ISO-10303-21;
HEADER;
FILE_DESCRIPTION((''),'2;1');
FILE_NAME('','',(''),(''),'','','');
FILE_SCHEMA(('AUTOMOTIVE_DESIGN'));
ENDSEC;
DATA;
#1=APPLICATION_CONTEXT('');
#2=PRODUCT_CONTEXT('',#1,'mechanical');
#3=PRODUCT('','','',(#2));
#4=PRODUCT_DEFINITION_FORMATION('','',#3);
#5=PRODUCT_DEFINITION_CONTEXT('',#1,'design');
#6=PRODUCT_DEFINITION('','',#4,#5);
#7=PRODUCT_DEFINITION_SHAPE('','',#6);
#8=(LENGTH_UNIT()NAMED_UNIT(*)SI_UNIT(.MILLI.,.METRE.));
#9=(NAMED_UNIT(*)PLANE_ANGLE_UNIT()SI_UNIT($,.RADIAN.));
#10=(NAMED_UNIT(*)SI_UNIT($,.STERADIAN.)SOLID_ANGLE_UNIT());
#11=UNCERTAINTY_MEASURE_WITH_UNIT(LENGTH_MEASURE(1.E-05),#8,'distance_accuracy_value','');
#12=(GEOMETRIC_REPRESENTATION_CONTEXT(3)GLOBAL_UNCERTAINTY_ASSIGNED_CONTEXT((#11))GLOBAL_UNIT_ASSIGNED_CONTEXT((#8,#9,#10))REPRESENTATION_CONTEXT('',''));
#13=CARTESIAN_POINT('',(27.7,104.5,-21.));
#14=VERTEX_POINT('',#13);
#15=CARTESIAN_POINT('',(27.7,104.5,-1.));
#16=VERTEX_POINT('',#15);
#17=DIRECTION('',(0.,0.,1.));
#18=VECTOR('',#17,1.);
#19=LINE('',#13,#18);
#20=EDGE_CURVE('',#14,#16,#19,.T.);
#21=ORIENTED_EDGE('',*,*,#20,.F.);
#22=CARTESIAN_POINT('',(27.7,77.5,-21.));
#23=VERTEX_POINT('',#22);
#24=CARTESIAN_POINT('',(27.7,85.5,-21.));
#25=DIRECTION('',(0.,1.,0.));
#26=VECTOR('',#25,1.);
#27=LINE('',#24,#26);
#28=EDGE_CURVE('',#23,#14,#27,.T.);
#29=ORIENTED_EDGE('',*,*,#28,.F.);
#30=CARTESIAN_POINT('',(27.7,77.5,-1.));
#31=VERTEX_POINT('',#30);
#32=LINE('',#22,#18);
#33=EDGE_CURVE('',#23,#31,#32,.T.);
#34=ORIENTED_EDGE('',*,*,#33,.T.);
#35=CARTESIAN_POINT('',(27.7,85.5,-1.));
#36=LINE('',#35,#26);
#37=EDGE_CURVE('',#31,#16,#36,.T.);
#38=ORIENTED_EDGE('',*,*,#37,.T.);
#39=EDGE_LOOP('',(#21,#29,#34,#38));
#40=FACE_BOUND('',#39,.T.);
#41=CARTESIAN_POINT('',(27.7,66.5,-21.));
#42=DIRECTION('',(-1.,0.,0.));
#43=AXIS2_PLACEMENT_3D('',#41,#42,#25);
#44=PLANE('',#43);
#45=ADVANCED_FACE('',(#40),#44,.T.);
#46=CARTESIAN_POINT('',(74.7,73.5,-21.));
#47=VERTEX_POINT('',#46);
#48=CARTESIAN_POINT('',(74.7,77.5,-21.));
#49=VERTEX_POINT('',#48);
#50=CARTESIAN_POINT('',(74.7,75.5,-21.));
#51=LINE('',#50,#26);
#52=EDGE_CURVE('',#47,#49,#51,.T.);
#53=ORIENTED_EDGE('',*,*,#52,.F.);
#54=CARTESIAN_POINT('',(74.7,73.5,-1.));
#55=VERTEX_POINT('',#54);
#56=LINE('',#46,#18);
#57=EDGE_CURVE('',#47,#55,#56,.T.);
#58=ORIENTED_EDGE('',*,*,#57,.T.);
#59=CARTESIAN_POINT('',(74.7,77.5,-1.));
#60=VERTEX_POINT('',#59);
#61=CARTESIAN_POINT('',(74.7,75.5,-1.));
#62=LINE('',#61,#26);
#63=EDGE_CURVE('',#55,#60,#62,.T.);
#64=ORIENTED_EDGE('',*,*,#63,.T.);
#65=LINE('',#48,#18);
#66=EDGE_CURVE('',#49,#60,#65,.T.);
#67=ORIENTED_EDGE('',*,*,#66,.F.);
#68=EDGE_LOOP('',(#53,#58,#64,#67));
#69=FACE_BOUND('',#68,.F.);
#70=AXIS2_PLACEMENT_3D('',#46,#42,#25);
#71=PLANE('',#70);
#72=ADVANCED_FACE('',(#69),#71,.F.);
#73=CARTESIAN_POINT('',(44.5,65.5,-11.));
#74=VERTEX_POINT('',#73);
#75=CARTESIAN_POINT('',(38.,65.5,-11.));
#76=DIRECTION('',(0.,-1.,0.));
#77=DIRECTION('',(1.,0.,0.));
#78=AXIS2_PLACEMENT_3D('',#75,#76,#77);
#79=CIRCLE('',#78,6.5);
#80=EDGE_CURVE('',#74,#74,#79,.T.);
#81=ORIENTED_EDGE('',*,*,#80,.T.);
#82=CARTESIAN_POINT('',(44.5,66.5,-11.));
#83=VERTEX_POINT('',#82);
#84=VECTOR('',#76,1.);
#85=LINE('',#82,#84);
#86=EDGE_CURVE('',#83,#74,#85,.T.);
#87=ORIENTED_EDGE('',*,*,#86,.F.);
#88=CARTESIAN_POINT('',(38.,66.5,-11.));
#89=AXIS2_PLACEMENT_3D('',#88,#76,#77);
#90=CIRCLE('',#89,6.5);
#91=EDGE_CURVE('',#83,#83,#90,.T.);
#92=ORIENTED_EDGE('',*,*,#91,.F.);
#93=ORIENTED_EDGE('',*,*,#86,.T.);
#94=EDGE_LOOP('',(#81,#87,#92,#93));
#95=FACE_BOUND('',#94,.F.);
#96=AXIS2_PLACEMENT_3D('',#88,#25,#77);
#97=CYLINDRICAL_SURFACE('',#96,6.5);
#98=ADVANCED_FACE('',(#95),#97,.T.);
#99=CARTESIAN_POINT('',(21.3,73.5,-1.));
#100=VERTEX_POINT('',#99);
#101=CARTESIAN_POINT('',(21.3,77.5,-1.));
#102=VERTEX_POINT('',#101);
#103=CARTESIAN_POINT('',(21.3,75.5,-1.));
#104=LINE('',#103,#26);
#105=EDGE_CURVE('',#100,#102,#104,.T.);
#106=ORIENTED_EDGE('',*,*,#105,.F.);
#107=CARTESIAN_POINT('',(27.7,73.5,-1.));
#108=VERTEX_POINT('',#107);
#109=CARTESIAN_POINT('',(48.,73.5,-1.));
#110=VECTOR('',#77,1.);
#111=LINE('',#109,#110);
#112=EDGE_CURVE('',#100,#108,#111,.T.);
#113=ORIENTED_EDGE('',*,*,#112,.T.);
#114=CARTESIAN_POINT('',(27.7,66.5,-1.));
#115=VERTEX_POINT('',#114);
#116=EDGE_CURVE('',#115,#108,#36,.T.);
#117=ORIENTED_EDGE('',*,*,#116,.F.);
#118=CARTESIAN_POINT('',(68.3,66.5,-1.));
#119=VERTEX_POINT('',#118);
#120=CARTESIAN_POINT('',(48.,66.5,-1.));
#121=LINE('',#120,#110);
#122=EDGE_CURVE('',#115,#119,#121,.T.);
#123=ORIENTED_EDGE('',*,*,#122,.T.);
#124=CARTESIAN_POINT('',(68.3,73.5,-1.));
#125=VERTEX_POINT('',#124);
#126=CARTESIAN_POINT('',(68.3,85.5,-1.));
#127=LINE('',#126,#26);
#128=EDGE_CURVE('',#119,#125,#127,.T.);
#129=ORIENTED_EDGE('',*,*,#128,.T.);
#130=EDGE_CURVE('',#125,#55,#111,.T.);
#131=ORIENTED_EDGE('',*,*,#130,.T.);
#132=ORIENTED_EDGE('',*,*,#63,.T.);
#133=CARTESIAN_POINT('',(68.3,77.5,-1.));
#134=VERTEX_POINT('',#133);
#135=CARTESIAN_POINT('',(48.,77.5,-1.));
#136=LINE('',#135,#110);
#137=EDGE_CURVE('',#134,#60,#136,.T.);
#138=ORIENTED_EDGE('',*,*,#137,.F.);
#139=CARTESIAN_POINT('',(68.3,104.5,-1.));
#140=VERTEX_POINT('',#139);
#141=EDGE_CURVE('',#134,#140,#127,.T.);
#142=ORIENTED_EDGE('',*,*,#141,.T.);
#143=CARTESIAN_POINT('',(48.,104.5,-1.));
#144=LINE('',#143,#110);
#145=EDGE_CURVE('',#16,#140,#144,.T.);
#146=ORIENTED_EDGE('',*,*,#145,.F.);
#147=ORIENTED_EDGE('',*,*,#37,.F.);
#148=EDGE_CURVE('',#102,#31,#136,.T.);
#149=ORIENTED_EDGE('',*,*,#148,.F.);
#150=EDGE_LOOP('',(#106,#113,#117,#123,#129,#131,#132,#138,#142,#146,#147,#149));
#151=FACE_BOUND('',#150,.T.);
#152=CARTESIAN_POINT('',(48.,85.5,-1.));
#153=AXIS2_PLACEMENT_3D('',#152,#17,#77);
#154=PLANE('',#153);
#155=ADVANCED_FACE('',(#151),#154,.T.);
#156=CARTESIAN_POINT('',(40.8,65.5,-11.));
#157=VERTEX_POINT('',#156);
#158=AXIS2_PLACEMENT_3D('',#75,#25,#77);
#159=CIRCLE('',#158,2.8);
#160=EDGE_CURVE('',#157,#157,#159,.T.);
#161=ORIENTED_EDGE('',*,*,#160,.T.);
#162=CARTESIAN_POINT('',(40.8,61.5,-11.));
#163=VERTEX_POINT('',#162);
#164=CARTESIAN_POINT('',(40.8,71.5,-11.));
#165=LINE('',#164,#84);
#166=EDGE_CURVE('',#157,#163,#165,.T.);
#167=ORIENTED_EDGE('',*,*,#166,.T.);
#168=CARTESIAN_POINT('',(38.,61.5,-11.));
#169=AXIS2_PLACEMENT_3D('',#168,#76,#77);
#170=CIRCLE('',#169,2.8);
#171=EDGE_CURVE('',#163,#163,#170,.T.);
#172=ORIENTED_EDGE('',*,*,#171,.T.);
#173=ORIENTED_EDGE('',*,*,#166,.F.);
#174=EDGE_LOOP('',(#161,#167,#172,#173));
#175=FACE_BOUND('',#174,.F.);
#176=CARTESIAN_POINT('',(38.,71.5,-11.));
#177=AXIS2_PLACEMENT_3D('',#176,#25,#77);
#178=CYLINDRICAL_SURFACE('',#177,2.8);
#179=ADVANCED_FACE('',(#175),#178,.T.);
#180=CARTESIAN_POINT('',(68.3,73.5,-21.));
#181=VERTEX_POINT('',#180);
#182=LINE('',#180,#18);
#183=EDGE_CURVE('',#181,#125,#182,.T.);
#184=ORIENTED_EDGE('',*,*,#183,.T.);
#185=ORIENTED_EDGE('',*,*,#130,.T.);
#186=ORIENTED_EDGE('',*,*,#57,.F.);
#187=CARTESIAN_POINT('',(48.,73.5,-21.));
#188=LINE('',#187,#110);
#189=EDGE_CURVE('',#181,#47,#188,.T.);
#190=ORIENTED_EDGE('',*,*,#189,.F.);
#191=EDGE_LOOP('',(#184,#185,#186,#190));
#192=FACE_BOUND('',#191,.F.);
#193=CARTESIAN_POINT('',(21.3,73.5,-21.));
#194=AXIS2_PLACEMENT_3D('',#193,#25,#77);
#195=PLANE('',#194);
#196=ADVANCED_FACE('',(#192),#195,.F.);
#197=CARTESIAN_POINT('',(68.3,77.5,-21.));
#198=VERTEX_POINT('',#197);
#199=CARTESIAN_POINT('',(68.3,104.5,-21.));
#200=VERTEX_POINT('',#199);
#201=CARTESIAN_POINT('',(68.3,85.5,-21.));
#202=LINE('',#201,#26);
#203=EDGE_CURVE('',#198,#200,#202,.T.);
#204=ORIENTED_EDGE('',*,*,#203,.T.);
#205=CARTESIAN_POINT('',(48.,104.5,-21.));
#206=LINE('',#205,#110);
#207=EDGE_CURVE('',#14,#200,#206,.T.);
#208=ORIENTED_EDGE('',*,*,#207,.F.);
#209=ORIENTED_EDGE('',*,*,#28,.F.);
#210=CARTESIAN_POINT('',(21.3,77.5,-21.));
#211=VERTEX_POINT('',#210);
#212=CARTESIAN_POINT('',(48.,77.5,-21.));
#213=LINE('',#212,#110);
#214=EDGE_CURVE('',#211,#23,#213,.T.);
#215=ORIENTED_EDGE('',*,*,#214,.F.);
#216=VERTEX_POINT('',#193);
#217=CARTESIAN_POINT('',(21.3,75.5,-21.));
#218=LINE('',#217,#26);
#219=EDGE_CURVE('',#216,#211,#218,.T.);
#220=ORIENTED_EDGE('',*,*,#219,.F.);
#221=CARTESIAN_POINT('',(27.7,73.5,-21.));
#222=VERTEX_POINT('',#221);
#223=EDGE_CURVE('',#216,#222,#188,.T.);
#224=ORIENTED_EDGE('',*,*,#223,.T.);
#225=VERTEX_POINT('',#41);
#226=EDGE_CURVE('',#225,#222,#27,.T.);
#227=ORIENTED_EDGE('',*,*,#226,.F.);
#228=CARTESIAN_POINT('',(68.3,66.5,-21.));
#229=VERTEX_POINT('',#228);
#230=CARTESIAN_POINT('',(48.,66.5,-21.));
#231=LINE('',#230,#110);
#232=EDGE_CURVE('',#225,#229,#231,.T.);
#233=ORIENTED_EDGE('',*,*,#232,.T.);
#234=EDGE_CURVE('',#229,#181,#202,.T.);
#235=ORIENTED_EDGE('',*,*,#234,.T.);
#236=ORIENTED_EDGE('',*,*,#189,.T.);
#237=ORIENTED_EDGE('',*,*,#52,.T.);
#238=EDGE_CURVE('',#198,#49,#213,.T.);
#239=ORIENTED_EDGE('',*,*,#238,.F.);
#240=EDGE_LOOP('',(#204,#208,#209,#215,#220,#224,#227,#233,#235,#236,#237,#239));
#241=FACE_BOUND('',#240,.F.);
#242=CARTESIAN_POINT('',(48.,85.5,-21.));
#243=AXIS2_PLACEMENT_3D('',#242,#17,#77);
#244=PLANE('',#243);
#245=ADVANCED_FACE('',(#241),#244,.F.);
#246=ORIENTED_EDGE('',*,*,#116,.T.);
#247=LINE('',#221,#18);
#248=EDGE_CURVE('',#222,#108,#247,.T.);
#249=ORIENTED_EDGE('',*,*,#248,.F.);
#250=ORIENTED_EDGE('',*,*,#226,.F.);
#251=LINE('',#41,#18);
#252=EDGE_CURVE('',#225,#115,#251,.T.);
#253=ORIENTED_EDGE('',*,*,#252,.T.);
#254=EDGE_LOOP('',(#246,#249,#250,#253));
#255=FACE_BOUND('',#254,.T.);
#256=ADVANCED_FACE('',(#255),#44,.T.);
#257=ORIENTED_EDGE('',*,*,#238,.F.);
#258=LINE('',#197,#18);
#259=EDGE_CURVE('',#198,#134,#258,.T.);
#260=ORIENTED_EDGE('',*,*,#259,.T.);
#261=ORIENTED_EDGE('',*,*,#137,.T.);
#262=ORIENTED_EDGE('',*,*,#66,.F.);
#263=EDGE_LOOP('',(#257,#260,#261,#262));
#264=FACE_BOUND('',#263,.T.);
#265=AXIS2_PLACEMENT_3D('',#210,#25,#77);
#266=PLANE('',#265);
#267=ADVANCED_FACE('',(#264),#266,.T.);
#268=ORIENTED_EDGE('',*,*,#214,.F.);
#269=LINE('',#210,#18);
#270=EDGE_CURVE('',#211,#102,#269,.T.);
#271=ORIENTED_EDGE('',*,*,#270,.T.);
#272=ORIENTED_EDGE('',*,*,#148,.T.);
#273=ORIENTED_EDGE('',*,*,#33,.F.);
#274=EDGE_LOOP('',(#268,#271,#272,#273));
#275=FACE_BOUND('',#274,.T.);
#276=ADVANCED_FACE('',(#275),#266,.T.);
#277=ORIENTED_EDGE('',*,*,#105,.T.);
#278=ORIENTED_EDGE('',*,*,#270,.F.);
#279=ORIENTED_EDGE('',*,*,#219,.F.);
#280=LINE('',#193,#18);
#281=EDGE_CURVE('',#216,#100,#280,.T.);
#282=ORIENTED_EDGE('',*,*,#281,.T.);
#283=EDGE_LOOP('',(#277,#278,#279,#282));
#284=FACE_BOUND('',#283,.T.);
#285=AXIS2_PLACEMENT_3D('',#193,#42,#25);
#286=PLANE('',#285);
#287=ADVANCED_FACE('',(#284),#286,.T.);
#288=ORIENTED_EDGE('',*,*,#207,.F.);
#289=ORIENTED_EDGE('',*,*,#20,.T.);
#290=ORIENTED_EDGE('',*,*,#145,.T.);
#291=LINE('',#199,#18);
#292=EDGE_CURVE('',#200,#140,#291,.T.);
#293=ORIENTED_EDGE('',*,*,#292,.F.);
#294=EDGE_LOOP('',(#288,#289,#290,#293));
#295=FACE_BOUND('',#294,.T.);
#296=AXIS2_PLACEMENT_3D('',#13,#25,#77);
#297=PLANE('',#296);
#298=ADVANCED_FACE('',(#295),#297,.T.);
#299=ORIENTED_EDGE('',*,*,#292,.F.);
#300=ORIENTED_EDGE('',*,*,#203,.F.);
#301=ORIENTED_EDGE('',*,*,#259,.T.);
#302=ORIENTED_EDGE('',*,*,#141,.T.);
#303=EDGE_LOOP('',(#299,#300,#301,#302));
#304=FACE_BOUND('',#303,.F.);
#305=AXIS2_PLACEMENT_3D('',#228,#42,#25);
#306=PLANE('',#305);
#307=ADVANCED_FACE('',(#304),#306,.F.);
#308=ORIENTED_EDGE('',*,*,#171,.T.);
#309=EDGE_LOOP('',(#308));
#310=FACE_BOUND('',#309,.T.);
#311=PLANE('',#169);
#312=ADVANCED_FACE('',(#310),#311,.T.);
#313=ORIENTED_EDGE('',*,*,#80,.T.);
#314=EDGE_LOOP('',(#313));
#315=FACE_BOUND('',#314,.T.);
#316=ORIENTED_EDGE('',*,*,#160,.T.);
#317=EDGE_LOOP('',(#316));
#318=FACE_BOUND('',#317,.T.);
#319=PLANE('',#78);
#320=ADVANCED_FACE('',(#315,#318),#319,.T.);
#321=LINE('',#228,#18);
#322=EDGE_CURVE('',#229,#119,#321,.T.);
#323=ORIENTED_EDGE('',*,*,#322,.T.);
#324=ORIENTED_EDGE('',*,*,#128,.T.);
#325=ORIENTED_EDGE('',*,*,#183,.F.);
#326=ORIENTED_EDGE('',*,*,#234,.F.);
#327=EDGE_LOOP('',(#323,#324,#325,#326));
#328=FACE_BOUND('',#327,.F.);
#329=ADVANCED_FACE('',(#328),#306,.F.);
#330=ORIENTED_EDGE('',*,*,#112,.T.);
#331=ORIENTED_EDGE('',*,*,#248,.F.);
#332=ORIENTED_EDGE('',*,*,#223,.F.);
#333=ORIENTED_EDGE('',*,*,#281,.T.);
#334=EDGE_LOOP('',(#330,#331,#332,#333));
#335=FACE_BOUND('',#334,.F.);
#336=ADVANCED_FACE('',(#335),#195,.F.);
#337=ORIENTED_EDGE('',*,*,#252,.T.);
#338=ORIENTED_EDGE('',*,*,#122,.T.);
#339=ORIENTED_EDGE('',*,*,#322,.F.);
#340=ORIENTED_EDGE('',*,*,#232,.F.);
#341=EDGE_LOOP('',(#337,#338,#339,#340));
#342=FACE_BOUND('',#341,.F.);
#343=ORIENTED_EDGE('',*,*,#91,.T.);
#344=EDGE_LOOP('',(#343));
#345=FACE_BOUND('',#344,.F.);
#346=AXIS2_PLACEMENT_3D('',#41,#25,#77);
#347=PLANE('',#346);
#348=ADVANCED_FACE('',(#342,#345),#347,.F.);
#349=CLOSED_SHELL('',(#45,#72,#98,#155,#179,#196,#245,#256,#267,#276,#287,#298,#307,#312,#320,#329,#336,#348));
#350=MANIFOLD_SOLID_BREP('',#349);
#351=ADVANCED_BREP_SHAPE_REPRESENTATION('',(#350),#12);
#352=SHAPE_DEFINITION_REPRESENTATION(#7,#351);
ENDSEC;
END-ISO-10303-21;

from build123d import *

# Parameters (mm, degrees)
CYLINDER940_R          = 6.5
CYLINDER940_DEPTH      = 1
CYLINDER940_ROLL_ANGLE = 90
BOX536_W               = 40.6
BOX536_H               = 38
BOX536_DEPTH           = 20
CYLINDER864_R          = 2.8
CYLINDER864_DEPTH      = 10
CYLINDER864_ROLL_ANGLE = 90
BOX537_W               = 53.4
BOX537_H               = 4
BOX537_DEPTH           = 20


with BuildPart() as cylinder1083:
    # Cylinder940 → Cylinder940 (new body)
    with BuildSketch(Plane.XY):
        Circle(CYLINDER940_R)
    extrude(amount=CYLINDER940_DEPTH)


with BuildPart() as cylinder1083_1:
    # Cylinder940 roll: moved
    add(cylinder1083.part.rotate(Axis((0, 0, 0), (1, 0, 0)), CYLINDER940_ROLL_ANGLE))


with BuildPart() as cylinder1083_2:
    # Cylinder940 placement: moved
    add(cylinder1083_1.part.moved(Location((37, 66.5, -11))))


with BuildPart() as cube:
    # Box536 → Box536 (new body)
    with BuildSketch(Plane(origin=(-0.3, 0, 0), x_dir=(1, 0, 0), z_dir=(0, 0, 1))):
        with Locations((20.3, 19)):
            Rectangle(BOX536_W, BOX536_H)
    extrude(amount=BOX536_DEPTH)


with BuildPart() as cylinder1026:
    # Cylinder864 → Cylinder864 (new body)
    with BuildSketch(Plane.XY):
        Circle(CYLINDER864_R)
    extrude(amount=CYLINDER864_DEPTH)


with BuildPart() as cylinder1026_1:
    # Cylinder864 roll: moved
    add(cylinder1026.part.rotate(Axis((0, 0, 0), (1, 0, 0)), CYLINDER864_ROLL_ANGLE))


with BuildPart() as cylinder1026_2:
    # Cylinder864 placement: moved
    add(cylinder1026_1.part.moved(Location((10, 5, 10))))


with BuildPart() as steering_servo:
    # Box537 → Box537 (new body)
    with BuildSketch(Plane(origin=(-6.7, 7, 0), x_dir=(1, 0, 0), z_dir=(0, 0, 1))):
        with Locations((26.7, 2)):
            Rectangle(BOX537_W, BOX537_H)
    extrude(amount=BOX537_DEPTH)

    # Fusion585: union Cube, Cylinder1026
    add(cube.part)
    add(cylinder1026_2.part)


with BuildPart() as steering_servo_1:
    # Fusion585 placement: moved
    add(steering_servo.part.moved(Location((27, 66.5, -21))))

    # Fusion588: union Cylinder1083
    add(cylinder1083_2.part)


with BuildPart() as steering_servo_2:
    # Fusion588 placement: moved
    add(steering_servo_1.part.moved(Location((1, 0, 0))))


solid = steering_servo_2.part
